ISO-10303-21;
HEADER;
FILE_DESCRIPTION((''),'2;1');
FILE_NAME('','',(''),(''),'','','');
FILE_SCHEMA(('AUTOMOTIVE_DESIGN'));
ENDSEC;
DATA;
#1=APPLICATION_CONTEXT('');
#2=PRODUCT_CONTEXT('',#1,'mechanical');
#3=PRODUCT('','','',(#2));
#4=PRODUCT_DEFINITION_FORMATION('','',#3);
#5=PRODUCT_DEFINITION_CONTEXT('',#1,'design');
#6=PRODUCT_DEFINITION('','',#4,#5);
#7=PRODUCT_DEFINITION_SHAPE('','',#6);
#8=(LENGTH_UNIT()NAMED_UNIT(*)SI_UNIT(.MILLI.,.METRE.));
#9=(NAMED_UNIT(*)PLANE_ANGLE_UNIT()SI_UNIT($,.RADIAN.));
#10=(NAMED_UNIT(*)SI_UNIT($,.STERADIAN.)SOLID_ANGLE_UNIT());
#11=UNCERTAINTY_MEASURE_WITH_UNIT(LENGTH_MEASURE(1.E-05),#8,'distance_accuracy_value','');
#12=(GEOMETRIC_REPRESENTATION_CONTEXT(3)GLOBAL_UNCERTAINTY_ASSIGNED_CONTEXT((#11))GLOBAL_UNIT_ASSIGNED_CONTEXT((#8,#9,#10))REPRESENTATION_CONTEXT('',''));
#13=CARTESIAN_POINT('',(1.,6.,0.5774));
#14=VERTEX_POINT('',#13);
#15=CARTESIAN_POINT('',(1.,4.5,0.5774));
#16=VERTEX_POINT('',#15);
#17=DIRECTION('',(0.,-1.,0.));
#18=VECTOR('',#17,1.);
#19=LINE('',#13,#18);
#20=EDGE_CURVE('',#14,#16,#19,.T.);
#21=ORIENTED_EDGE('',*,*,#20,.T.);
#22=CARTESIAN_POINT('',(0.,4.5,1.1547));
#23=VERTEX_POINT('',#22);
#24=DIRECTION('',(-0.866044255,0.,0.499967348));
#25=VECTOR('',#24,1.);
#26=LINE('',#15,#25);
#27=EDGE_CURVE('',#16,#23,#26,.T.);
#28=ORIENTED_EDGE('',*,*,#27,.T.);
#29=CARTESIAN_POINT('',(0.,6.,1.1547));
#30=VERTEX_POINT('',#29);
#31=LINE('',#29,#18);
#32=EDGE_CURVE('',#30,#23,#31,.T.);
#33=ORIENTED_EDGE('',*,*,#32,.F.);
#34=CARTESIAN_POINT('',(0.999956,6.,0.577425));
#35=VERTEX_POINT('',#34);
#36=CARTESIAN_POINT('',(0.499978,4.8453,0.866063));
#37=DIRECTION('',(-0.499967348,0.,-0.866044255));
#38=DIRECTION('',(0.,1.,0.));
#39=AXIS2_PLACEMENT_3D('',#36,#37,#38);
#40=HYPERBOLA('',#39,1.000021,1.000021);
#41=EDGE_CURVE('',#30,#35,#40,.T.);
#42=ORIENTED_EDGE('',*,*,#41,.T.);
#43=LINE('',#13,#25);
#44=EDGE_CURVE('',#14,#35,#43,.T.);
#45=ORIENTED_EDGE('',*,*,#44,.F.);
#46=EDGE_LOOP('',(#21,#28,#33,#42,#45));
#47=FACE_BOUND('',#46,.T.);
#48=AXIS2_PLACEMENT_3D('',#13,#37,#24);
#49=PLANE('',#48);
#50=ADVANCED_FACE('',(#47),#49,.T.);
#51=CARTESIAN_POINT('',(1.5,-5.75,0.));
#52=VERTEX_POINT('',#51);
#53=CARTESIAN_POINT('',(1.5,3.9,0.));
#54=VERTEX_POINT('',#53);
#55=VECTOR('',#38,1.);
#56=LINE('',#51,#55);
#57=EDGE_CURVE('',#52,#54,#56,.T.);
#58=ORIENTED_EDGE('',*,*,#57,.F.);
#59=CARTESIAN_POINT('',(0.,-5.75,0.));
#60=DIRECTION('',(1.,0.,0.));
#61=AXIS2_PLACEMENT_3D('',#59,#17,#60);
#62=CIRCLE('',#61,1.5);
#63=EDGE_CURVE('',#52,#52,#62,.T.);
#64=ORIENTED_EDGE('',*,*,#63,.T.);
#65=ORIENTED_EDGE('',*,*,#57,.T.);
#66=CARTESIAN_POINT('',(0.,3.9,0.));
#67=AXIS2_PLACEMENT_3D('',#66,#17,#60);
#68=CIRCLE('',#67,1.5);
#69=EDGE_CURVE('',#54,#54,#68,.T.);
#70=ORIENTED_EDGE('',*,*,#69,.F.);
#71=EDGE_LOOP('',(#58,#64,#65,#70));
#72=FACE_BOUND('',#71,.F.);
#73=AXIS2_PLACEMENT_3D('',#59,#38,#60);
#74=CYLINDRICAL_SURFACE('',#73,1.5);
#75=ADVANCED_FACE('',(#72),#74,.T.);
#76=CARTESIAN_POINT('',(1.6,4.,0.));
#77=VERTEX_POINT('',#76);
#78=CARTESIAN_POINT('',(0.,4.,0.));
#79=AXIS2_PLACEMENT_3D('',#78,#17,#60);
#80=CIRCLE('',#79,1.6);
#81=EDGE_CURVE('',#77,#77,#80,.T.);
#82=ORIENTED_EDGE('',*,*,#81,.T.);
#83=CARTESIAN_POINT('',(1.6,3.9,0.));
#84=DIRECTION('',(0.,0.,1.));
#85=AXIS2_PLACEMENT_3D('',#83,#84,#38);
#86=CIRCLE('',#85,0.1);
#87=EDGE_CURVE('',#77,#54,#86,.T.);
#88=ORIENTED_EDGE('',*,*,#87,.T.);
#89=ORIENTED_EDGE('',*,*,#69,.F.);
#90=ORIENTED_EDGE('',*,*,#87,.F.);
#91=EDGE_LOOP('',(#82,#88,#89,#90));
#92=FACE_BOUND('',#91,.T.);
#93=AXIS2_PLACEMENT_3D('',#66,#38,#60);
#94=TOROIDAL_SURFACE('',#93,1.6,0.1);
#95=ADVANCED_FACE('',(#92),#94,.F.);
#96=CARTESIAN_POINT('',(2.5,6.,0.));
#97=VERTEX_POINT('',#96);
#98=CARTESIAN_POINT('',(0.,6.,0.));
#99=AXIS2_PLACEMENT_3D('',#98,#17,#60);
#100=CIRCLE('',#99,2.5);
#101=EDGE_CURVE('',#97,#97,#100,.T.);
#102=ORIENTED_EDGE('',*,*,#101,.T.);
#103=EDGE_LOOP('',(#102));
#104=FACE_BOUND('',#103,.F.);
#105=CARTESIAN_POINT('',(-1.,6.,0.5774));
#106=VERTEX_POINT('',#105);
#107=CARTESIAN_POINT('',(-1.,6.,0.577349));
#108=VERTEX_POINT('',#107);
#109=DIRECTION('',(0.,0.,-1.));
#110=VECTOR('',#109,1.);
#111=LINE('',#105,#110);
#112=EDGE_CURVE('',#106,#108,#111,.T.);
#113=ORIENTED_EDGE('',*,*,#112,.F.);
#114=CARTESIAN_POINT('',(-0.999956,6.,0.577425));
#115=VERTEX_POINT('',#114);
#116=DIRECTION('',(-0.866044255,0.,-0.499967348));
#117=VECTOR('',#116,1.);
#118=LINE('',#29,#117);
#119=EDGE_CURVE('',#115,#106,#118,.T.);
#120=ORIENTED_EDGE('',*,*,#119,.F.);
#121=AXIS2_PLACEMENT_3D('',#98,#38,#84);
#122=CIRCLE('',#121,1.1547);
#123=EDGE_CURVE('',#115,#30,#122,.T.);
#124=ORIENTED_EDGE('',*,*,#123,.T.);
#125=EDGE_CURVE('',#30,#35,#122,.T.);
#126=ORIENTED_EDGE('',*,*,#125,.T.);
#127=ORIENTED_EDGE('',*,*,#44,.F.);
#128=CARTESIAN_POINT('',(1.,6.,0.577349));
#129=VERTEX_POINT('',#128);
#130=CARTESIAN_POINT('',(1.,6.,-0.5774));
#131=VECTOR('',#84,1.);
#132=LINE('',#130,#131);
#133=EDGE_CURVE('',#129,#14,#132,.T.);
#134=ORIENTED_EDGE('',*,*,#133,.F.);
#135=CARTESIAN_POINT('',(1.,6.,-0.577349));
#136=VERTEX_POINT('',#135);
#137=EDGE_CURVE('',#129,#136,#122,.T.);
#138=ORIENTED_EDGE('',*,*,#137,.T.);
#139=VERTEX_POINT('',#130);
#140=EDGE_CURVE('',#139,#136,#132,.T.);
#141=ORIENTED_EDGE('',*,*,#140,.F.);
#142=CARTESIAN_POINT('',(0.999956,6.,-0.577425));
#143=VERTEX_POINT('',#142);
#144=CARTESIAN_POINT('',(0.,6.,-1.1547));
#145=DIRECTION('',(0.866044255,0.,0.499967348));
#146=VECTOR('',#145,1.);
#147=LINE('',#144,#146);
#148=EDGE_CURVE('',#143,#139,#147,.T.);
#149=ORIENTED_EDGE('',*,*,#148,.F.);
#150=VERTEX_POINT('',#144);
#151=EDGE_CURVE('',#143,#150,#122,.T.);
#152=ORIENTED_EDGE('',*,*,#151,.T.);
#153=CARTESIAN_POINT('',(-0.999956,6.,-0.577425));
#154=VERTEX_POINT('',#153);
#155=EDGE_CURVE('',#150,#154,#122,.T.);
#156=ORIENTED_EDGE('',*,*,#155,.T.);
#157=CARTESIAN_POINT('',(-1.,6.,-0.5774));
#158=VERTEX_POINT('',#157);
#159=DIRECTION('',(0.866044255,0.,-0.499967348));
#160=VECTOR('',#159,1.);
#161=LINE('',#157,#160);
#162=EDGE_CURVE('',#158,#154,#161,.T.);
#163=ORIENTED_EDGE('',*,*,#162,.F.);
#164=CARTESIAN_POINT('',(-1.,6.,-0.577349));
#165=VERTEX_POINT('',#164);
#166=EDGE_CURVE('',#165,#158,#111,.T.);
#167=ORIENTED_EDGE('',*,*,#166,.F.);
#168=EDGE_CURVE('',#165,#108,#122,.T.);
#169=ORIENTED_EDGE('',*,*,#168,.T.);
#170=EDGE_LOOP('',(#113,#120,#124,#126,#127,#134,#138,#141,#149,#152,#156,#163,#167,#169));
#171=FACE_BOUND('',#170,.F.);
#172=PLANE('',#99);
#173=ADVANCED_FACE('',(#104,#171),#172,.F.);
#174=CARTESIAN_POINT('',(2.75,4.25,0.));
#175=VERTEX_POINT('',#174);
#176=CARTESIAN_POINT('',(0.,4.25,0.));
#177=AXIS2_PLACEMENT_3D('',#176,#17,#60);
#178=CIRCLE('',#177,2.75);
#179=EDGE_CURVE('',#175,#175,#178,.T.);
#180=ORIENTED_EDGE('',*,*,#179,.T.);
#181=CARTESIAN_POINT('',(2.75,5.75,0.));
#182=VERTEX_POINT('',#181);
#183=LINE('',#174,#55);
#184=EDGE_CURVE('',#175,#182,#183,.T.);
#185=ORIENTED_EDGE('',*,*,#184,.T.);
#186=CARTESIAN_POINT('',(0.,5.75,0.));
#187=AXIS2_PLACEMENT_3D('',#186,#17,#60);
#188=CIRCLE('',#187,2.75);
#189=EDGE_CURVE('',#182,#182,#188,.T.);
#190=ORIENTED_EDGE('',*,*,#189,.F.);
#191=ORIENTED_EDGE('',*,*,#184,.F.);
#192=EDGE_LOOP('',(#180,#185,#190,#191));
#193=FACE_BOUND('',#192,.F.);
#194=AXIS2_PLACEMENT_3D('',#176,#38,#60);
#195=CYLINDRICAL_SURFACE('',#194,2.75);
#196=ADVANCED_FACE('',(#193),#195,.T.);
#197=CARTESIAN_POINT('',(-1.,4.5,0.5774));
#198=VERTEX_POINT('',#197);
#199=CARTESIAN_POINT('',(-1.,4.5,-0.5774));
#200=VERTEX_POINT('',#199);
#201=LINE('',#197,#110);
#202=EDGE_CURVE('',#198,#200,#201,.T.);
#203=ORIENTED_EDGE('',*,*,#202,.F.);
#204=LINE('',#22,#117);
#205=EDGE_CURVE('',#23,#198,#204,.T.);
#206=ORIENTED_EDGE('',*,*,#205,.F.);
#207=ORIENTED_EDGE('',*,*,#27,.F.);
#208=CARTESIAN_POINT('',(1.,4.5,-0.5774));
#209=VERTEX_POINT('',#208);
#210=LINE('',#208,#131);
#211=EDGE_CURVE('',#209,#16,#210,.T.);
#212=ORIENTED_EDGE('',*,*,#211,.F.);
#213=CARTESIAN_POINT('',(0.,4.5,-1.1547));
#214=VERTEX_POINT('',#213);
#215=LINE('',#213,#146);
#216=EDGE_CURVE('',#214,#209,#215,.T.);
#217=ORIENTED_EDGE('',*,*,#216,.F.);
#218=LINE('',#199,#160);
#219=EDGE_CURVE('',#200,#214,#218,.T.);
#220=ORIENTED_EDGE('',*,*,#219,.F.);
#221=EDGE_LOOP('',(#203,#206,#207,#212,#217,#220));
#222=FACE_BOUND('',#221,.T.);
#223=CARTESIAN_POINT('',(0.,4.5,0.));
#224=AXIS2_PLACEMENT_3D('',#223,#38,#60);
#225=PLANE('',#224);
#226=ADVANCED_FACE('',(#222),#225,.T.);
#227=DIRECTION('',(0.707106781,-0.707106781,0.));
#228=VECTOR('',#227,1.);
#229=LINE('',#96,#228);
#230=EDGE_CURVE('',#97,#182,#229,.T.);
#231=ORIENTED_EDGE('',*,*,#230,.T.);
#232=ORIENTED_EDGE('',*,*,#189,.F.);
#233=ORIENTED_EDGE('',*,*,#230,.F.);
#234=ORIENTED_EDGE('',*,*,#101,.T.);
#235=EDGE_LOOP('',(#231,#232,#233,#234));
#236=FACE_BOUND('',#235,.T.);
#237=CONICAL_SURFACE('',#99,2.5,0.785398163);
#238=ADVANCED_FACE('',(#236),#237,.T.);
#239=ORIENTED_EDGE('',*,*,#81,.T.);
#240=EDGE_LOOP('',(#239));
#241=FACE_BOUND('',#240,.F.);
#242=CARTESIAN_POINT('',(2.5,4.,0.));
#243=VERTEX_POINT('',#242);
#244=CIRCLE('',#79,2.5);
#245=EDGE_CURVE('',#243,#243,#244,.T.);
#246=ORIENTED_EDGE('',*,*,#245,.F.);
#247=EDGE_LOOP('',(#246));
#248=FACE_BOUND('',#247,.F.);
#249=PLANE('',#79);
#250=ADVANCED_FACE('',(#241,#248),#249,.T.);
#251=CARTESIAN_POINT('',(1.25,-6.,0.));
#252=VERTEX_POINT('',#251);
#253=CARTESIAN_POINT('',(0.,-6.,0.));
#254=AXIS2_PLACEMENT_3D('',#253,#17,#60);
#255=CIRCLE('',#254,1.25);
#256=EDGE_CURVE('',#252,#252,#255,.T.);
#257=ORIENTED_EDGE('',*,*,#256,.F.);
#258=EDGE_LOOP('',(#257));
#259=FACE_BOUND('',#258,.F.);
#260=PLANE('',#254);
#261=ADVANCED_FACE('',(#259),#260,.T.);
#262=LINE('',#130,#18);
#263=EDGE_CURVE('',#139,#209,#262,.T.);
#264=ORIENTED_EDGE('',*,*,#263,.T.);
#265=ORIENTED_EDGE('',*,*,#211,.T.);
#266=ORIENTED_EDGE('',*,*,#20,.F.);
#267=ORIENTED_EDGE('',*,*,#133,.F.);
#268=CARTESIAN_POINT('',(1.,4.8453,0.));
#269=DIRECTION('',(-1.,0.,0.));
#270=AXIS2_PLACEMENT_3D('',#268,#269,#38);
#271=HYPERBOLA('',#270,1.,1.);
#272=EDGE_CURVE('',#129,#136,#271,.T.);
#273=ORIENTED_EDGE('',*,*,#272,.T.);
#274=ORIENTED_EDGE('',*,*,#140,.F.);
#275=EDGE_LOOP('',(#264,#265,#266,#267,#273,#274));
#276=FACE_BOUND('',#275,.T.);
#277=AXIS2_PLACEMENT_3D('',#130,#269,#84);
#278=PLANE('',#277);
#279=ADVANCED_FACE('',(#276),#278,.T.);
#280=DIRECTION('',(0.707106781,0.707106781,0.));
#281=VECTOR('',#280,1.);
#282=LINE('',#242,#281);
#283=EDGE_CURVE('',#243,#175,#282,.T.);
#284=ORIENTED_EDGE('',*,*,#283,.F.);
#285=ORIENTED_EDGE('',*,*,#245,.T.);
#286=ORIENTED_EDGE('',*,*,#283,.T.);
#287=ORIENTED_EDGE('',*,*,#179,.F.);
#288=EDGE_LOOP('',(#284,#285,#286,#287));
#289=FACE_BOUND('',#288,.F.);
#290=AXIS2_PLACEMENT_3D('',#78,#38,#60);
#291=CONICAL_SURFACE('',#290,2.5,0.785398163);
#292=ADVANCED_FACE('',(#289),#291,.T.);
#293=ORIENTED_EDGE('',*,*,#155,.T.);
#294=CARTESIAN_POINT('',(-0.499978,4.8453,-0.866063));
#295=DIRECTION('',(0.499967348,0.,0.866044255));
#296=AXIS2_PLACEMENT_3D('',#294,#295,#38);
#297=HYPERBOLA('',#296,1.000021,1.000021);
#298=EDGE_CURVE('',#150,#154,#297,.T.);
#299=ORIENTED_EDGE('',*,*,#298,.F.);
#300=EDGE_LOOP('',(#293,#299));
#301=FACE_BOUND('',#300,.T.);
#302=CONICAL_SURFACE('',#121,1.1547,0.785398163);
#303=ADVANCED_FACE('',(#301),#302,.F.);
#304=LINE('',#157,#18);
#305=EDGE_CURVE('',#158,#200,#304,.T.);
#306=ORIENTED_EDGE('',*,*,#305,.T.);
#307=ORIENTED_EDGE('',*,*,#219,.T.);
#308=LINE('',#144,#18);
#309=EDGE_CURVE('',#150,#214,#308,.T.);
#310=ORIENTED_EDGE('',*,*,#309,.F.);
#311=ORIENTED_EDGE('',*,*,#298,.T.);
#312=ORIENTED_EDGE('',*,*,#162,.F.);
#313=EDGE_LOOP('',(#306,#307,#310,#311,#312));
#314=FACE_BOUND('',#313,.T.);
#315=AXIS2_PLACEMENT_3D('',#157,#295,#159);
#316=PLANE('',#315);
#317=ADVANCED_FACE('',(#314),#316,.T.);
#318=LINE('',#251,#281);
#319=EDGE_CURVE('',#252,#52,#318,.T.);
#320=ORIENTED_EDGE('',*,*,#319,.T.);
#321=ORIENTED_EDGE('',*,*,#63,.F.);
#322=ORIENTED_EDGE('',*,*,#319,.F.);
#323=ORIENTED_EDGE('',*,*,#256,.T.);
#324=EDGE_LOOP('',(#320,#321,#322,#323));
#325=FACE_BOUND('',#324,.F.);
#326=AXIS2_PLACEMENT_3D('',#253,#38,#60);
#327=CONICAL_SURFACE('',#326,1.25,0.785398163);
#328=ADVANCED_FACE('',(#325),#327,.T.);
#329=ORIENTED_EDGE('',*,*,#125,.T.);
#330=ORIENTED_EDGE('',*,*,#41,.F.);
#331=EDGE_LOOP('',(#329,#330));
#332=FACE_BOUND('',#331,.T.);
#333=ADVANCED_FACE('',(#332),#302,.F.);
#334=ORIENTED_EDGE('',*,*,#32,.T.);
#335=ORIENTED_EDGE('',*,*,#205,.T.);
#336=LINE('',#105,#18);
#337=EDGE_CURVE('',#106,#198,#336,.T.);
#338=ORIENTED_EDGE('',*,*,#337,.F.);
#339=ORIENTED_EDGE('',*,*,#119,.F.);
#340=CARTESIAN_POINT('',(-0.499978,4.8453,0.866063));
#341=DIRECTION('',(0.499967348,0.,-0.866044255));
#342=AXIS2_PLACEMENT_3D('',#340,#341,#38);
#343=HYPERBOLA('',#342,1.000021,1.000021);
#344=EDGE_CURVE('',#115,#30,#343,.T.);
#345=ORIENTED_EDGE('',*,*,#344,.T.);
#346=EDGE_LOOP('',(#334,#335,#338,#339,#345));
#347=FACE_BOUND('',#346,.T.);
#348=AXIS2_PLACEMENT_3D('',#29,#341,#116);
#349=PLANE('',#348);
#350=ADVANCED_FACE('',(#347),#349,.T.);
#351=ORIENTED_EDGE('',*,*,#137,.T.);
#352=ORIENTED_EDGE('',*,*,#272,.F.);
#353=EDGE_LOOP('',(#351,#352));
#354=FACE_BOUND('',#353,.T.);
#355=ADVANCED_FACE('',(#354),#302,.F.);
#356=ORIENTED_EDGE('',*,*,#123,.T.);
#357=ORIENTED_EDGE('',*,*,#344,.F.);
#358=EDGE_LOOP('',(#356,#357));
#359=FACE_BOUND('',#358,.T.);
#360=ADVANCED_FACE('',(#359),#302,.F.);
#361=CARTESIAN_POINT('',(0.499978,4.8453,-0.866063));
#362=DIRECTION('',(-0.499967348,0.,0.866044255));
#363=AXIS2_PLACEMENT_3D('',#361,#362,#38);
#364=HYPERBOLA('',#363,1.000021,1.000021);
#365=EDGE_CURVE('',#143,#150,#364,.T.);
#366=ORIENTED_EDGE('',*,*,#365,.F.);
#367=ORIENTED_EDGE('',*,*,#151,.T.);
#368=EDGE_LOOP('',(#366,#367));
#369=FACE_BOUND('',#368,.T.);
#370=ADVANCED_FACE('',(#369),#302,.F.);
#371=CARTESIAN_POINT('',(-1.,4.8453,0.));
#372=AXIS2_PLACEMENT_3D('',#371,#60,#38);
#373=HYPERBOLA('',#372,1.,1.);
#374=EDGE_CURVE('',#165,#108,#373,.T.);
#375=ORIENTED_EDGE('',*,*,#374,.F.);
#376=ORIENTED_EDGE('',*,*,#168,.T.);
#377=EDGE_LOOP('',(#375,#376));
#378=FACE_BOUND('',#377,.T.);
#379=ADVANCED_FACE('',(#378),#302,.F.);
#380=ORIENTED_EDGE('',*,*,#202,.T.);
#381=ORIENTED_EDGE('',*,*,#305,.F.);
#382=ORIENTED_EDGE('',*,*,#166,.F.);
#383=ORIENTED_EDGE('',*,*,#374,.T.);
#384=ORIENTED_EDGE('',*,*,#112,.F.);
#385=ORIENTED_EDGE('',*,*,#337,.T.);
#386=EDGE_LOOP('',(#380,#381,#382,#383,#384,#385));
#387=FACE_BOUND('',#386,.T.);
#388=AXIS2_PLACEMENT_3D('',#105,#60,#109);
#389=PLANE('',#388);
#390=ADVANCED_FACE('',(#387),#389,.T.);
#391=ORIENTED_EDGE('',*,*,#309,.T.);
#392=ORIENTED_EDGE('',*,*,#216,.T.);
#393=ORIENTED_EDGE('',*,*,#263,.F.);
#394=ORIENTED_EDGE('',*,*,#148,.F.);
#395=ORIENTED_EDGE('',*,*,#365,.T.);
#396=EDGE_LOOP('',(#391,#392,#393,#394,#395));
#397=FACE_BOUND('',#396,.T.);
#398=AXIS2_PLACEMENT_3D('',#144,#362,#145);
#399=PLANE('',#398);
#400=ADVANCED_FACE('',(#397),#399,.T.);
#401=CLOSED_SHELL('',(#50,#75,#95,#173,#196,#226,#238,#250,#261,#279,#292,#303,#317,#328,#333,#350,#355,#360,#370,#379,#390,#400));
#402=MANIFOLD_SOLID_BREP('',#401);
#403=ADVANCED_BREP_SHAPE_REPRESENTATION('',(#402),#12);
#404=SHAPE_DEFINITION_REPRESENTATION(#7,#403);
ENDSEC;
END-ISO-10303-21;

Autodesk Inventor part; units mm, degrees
ref_plane "YZ Plane" through (0, 0, 0) normal (1, 0, 0) x (0, 1, 0)
ref_plane "XZ Plane" through (0, 0, 0) normal (0, 1, 0) x (-1, 0, 0)
ref_plane "XY Plane" through (0, 0, 0) normal (0, 0, 1) x (1, 0, 0)
sketch "Sketch1" plane through (0, 0, 0) normal (0, 0, 1) x (1, 0, 0)
  line L0 (0, 6) -> (0, -6)
  line L1 (0, -6) -> (1.25, -6)
  line L2 (1.25, -6) -> (1.5, -5.75)
  line L3 (1.5, -5.75) -> (1.5, 3.9)
  line L4 (1.6, 4) -> (2.5, 4)
  line L5 (2.75, 4.25) -> (2.75, 5.75)
  line L6 (2.5, 6) -> (0, 6)
  arc A0 (1.6, 4) -> (1.5, 3.9) centre (1.6, 3.9) ccw
  line L7 (2.5, 6) -> (2.75, 5.75)
  line L8 (2.5, 4) -> (2.75, 4.25)
  point P0 (0, 0)
  point P1 (2.75, 4)
  point P2 (2.75, 6)
  point P3 (0, 0)
  dimension "d0" = 5.5
  dimension "d1" = 2
  dimension "d3" = 3
  dimension "d4" = 3.2
  dimension "d5" = 135
  dimension "d6" = 0.25
  dimension "d7" = 10
  dimension "d9" = 0.25
revolve "Revolution1" add sketch "Sketch1" angle 360 about axis through (0, 6, 0) along (0, -1, 0)
sketch "Sketch2" plane through (0, 6, 0) normal (0, 1, 0) x (1, 0, 0)
  line L0 (0, -1.1547) -> (-1, -0.5774)
  line L1 (-1, -0.5774) -> (-1, 0.5774)
  line L2 (-1, 0.5774) -> (0, 1.1547)
  line L3 (0, 1.1547) -> (1, 0.5774)
  line L4 (1, 0.5774) -> (1, -0.5774)
  line L5 (1, -0.5774) -> (0, -1.1547)
  point P0 (0, 0)
  point P1 (0, 0)
  dimension "d11" = 2
extrude "Extrusion1" cut sketch "Sketch2" against normal blind 1.5
thread "Thread1" size "M3x0.35" class "6g" standard "ANSI Metric M Profile" full length
sketch "Sketch3" plane through (0, 0, 0) normal (1, 0, 0) x (0, 1, 0)
  line L0 (6, 1.1547) -> (5, 0.1547)
  line L1 (5, 0.1547) -> (6, 0.1547)
  line L2 (6, 0.1547) -> (6, 1.1547)
  line L3 (-1.4, 0) -> (8.4, 0) projected
  point P0 (0, 0)
  dimension "d18" = 1
revolve "Revolution2" cut sketch "Sketch3" angle 360 about axis through (0, -10, 0) along (0, 1, 0)
properties part number "Bolt_M3x0.35_10mm_LSH" material "Stainless Steel"
